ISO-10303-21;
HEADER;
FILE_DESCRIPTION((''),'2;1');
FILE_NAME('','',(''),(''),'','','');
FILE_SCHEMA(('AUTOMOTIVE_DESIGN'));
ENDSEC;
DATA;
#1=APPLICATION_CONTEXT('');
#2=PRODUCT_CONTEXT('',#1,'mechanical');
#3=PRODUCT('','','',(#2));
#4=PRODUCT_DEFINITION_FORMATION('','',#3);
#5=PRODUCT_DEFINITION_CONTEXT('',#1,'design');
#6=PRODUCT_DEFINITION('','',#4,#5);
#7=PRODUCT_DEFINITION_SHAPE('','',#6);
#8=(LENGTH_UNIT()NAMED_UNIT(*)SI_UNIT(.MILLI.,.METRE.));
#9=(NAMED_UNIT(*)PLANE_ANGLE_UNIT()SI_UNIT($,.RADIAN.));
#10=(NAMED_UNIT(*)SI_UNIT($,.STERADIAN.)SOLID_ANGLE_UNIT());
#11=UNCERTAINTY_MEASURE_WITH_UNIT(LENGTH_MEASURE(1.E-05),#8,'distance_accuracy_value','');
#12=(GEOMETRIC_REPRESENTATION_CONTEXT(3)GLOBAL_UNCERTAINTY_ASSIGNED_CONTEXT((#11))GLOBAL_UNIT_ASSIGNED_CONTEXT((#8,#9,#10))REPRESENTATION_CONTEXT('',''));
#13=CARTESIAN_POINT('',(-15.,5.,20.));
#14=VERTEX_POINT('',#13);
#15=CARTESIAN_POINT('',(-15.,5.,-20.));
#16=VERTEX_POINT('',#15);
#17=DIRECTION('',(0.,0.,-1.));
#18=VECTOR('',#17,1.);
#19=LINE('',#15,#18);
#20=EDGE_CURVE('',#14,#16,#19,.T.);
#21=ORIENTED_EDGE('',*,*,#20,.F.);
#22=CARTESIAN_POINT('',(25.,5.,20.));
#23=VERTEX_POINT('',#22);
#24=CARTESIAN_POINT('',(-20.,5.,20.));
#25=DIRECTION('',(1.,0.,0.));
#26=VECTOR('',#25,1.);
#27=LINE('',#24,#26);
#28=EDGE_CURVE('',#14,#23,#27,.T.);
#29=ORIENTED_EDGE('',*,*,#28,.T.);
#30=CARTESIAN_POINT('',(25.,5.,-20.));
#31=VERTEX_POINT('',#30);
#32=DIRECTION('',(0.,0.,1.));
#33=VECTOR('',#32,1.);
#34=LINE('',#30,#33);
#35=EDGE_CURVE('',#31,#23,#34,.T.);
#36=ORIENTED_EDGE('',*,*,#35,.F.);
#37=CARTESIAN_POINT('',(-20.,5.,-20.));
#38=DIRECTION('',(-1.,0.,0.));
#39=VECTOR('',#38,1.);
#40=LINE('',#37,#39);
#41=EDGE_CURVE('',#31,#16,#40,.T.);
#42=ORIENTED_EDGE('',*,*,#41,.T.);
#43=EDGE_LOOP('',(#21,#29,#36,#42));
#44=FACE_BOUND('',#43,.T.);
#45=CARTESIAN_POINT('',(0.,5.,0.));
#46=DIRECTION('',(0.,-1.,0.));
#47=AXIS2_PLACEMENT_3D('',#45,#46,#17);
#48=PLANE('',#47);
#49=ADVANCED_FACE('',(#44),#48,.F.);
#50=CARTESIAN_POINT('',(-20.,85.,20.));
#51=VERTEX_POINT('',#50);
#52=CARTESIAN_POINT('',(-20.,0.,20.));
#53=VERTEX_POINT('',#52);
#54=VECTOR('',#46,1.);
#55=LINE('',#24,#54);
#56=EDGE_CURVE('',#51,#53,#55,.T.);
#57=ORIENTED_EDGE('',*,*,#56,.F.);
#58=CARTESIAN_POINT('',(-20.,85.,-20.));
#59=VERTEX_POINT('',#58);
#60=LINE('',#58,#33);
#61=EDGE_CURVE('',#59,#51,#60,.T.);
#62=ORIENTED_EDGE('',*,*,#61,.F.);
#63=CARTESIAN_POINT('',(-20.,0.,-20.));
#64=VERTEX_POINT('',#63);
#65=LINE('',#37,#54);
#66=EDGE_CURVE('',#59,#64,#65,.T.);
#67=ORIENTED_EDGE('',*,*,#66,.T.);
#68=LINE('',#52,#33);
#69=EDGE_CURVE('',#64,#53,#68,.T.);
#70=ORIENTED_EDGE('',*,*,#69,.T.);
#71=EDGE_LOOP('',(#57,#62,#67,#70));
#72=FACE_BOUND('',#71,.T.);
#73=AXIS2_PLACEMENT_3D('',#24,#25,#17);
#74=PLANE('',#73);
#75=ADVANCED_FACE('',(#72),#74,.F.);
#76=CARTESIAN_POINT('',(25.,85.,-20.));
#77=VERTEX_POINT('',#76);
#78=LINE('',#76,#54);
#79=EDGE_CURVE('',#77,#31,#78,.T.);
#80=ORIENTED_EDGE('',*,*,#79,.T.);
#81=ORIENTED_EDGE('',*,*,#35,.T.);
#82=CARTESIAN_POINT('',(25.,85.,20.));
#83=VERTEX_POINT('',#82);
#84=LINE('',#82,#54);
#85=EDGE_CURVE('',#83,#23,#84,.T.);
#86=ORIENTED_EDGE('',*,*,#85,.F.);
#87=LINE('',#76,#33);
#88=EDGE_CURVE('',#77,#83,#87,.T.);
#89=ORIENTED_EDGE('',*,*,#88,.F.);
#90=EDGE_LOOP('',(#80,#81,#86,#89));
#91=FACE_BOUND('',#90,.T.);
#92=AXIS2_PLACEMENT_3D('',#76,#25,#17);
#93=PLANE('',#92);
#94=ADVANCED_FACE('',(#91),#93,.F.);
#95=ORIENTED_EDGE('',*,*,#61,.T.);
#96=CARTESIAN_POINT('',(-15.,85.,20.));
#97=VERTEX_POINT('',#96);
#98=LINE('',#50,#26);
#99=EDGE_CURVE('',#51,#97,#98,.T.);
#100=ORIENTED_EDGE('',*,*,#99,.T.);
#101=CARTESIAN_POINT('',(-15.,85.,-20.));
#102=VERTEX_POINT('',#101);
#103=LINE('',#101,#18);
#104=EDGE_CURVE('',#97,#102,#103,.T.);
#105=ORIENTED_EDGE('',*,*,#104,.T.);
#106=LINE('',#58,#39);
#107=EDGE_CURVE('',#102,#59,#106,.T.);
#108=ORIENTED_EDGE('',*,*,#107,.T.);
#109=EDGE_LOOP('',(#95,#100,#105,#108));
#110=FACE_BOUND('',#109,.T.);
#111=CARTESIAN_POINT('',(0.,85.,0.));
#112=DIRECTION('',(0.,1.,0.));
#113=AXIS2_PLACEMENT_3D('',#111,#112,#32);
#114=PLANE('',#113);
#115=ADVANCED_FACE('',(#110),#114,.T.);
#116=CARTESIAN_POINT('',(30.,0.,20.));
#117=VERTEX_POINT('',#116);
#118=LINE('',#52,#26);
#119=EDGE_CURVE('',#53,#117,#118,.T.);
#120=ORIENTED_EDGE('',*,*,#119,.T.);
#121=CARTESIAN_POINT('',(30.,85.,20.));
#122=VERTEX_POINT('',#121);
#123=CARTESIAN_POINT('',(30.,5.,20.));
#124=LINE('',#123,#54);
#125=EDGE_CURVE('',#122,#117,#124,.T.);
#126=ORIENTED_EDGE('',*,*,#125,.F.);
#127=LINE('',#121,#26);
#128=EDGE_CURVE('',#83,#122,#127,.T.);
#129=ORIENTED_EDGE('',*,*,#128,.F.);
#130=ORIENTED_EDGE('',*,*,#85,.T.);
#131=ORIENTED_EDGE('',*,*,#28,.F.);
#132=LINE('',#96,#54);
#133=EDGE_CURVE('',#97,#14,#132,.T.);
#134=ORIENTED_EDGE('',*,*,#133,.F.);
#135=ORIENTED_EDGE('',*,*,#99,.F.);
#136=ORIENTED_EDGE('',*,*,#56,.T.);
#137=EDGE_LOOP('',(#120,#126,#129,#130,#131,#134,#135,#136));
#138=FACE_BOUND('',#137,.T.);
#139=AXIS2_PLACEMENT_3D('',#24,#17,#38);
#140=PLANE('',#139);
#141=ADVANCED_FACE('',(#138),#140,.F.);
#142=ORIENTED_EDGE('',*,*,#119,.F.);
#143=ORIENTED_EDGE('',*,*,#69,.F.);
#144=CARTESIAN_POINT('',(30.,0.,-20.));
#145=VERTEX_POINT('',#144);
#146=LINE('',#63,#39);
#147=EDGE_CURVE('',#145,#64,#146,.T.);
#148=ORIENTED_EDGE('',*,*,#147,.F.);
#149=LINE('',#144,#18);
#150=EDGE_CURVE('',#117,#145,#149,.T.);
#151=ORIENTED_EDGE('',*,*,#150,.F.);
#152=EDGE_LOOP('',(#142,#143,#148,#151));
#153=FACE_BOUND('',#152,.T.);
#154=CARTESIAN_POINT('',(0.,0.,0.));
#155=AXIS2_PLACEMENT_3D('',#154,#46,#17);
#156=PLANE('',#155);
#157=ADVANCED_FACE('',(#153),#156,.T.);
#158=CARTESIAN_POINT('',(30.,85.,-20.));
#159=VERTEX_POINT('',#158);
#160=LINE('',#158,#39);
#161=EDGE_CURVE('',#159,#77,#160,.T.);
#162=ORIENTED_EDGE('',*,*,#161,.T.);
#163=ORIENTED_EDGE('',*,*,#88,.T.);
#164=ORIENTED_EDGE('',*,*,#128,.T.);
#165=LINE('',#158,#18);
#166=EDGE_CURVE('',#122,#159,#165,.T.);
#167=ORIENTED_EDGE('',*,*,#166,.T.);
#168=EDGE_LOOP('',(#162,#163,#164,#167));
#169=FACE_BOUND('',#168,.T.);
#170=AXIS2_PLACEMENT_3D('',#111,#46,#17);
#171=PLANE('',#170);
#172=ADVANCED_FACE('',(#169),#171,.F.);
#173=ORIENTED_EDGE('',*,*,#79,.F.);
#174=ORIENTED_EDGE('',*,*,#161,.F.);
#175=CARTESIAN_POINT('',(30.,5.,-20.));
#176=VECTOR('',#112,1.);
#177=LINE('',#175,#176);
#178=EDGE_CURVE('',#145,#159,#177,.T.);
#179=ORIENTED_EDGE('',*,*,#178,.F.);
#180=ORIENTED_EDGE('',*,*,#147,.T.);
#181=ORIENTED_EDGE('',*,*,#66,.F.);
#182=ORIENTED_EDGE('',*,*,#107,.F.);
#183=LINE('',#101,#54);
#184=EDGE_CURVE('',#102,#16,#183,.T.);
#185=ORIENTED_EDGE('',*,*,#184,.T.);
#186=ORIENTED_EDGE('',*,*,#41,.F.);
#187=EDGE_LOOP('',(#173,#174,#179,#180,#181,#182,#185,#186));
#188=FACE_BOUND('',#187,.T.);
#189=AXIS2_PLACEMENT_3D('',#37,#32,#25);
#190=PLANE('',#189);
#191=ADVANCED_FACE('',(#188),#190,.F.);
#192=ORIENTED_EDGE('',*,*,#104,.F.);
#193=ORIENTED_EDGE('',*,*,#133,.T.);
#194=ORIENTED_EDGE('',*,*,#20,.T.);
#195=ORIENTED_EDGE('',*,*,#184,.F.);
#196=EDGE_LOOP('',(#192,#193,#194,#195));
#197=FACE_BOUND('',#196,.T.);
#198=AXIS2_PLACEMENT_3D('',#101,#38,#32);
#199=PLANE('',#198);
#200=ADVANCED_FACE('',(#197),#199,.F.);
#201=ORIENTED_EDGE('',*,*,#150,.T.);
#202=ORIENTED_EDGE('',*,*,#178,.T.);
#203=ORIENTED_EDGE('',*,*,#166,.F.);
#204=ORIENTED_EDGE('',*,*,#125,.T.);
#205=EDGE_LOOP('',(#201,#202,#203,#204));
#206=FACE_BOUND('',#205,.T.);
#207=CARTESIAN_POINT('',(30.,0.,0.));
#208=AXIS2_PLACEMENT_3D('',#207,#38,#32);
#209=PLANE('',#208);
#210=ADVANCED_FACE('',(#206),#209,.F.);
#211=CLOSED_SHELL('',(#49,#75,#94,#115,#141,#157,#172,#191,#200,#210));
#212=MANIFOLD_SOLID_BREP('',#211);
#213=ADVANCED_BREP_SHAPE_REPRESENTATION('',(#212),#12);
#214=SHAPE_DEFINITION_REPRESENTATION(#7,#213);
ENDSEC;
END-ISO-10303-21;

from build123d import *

# Parameters (mm, degrees)
SKETCH2_W           = 40
SKETCH2_H           = 40
BOSS_EXTRUDE1_DEPTH = 5
SKETCH3_W           = 40
SKETCH3_H           = 5
BOSS_EXTRUDE2_DEPTH = 10
SKETCH4_W           = 5
SKETCH4_H           = 40
BOSS_EXTRUDE3_DEPTH = 80


with BuildPart() as part:
    # Sketch2 → Boss-Extrude1 (new body)
    with BuildSketch(Plane(origin=(0, 0, 0), x_dir=(1, 0, 0), z_dir=(0, 1, 0))):
        Rectangle(SKETCH2_W, SKETCH2_H)
    extrude(amount=BOSS_EXTRUDE1_DEPTH)

    # Sketch3 → Boss-Extrude2 (add)
    with BuildSketch(Plane(origin=(20, 0, 0), x_dir=(0, 0, -1), z_dir=(1, 0, 0))):
        with Locations((0, 2.5)):
            Rectangle(SKETCH3_W, SKETCH3_H)
    extrude(amount=BOSS_EXTRUDE2_DEPTH)

    # Sketch4 → Boss-Extrude3 (add)
    with BuildSketch(Plane(origin=(0, 5, 0), x_dir=(1, 0, 0), z_dir=(0, 1, 0))):
        with Locations((-17.5, 0)):
            Rectangle(SKETCH4_W, SKETCH4_H)
        with Locations((27.5, 0)):
            Rectangle(SKETCH4_W, SKETCH4_H)
    extrude(amount=BOSS_EXTRUDE3_DEPTH)


solid = part.part
